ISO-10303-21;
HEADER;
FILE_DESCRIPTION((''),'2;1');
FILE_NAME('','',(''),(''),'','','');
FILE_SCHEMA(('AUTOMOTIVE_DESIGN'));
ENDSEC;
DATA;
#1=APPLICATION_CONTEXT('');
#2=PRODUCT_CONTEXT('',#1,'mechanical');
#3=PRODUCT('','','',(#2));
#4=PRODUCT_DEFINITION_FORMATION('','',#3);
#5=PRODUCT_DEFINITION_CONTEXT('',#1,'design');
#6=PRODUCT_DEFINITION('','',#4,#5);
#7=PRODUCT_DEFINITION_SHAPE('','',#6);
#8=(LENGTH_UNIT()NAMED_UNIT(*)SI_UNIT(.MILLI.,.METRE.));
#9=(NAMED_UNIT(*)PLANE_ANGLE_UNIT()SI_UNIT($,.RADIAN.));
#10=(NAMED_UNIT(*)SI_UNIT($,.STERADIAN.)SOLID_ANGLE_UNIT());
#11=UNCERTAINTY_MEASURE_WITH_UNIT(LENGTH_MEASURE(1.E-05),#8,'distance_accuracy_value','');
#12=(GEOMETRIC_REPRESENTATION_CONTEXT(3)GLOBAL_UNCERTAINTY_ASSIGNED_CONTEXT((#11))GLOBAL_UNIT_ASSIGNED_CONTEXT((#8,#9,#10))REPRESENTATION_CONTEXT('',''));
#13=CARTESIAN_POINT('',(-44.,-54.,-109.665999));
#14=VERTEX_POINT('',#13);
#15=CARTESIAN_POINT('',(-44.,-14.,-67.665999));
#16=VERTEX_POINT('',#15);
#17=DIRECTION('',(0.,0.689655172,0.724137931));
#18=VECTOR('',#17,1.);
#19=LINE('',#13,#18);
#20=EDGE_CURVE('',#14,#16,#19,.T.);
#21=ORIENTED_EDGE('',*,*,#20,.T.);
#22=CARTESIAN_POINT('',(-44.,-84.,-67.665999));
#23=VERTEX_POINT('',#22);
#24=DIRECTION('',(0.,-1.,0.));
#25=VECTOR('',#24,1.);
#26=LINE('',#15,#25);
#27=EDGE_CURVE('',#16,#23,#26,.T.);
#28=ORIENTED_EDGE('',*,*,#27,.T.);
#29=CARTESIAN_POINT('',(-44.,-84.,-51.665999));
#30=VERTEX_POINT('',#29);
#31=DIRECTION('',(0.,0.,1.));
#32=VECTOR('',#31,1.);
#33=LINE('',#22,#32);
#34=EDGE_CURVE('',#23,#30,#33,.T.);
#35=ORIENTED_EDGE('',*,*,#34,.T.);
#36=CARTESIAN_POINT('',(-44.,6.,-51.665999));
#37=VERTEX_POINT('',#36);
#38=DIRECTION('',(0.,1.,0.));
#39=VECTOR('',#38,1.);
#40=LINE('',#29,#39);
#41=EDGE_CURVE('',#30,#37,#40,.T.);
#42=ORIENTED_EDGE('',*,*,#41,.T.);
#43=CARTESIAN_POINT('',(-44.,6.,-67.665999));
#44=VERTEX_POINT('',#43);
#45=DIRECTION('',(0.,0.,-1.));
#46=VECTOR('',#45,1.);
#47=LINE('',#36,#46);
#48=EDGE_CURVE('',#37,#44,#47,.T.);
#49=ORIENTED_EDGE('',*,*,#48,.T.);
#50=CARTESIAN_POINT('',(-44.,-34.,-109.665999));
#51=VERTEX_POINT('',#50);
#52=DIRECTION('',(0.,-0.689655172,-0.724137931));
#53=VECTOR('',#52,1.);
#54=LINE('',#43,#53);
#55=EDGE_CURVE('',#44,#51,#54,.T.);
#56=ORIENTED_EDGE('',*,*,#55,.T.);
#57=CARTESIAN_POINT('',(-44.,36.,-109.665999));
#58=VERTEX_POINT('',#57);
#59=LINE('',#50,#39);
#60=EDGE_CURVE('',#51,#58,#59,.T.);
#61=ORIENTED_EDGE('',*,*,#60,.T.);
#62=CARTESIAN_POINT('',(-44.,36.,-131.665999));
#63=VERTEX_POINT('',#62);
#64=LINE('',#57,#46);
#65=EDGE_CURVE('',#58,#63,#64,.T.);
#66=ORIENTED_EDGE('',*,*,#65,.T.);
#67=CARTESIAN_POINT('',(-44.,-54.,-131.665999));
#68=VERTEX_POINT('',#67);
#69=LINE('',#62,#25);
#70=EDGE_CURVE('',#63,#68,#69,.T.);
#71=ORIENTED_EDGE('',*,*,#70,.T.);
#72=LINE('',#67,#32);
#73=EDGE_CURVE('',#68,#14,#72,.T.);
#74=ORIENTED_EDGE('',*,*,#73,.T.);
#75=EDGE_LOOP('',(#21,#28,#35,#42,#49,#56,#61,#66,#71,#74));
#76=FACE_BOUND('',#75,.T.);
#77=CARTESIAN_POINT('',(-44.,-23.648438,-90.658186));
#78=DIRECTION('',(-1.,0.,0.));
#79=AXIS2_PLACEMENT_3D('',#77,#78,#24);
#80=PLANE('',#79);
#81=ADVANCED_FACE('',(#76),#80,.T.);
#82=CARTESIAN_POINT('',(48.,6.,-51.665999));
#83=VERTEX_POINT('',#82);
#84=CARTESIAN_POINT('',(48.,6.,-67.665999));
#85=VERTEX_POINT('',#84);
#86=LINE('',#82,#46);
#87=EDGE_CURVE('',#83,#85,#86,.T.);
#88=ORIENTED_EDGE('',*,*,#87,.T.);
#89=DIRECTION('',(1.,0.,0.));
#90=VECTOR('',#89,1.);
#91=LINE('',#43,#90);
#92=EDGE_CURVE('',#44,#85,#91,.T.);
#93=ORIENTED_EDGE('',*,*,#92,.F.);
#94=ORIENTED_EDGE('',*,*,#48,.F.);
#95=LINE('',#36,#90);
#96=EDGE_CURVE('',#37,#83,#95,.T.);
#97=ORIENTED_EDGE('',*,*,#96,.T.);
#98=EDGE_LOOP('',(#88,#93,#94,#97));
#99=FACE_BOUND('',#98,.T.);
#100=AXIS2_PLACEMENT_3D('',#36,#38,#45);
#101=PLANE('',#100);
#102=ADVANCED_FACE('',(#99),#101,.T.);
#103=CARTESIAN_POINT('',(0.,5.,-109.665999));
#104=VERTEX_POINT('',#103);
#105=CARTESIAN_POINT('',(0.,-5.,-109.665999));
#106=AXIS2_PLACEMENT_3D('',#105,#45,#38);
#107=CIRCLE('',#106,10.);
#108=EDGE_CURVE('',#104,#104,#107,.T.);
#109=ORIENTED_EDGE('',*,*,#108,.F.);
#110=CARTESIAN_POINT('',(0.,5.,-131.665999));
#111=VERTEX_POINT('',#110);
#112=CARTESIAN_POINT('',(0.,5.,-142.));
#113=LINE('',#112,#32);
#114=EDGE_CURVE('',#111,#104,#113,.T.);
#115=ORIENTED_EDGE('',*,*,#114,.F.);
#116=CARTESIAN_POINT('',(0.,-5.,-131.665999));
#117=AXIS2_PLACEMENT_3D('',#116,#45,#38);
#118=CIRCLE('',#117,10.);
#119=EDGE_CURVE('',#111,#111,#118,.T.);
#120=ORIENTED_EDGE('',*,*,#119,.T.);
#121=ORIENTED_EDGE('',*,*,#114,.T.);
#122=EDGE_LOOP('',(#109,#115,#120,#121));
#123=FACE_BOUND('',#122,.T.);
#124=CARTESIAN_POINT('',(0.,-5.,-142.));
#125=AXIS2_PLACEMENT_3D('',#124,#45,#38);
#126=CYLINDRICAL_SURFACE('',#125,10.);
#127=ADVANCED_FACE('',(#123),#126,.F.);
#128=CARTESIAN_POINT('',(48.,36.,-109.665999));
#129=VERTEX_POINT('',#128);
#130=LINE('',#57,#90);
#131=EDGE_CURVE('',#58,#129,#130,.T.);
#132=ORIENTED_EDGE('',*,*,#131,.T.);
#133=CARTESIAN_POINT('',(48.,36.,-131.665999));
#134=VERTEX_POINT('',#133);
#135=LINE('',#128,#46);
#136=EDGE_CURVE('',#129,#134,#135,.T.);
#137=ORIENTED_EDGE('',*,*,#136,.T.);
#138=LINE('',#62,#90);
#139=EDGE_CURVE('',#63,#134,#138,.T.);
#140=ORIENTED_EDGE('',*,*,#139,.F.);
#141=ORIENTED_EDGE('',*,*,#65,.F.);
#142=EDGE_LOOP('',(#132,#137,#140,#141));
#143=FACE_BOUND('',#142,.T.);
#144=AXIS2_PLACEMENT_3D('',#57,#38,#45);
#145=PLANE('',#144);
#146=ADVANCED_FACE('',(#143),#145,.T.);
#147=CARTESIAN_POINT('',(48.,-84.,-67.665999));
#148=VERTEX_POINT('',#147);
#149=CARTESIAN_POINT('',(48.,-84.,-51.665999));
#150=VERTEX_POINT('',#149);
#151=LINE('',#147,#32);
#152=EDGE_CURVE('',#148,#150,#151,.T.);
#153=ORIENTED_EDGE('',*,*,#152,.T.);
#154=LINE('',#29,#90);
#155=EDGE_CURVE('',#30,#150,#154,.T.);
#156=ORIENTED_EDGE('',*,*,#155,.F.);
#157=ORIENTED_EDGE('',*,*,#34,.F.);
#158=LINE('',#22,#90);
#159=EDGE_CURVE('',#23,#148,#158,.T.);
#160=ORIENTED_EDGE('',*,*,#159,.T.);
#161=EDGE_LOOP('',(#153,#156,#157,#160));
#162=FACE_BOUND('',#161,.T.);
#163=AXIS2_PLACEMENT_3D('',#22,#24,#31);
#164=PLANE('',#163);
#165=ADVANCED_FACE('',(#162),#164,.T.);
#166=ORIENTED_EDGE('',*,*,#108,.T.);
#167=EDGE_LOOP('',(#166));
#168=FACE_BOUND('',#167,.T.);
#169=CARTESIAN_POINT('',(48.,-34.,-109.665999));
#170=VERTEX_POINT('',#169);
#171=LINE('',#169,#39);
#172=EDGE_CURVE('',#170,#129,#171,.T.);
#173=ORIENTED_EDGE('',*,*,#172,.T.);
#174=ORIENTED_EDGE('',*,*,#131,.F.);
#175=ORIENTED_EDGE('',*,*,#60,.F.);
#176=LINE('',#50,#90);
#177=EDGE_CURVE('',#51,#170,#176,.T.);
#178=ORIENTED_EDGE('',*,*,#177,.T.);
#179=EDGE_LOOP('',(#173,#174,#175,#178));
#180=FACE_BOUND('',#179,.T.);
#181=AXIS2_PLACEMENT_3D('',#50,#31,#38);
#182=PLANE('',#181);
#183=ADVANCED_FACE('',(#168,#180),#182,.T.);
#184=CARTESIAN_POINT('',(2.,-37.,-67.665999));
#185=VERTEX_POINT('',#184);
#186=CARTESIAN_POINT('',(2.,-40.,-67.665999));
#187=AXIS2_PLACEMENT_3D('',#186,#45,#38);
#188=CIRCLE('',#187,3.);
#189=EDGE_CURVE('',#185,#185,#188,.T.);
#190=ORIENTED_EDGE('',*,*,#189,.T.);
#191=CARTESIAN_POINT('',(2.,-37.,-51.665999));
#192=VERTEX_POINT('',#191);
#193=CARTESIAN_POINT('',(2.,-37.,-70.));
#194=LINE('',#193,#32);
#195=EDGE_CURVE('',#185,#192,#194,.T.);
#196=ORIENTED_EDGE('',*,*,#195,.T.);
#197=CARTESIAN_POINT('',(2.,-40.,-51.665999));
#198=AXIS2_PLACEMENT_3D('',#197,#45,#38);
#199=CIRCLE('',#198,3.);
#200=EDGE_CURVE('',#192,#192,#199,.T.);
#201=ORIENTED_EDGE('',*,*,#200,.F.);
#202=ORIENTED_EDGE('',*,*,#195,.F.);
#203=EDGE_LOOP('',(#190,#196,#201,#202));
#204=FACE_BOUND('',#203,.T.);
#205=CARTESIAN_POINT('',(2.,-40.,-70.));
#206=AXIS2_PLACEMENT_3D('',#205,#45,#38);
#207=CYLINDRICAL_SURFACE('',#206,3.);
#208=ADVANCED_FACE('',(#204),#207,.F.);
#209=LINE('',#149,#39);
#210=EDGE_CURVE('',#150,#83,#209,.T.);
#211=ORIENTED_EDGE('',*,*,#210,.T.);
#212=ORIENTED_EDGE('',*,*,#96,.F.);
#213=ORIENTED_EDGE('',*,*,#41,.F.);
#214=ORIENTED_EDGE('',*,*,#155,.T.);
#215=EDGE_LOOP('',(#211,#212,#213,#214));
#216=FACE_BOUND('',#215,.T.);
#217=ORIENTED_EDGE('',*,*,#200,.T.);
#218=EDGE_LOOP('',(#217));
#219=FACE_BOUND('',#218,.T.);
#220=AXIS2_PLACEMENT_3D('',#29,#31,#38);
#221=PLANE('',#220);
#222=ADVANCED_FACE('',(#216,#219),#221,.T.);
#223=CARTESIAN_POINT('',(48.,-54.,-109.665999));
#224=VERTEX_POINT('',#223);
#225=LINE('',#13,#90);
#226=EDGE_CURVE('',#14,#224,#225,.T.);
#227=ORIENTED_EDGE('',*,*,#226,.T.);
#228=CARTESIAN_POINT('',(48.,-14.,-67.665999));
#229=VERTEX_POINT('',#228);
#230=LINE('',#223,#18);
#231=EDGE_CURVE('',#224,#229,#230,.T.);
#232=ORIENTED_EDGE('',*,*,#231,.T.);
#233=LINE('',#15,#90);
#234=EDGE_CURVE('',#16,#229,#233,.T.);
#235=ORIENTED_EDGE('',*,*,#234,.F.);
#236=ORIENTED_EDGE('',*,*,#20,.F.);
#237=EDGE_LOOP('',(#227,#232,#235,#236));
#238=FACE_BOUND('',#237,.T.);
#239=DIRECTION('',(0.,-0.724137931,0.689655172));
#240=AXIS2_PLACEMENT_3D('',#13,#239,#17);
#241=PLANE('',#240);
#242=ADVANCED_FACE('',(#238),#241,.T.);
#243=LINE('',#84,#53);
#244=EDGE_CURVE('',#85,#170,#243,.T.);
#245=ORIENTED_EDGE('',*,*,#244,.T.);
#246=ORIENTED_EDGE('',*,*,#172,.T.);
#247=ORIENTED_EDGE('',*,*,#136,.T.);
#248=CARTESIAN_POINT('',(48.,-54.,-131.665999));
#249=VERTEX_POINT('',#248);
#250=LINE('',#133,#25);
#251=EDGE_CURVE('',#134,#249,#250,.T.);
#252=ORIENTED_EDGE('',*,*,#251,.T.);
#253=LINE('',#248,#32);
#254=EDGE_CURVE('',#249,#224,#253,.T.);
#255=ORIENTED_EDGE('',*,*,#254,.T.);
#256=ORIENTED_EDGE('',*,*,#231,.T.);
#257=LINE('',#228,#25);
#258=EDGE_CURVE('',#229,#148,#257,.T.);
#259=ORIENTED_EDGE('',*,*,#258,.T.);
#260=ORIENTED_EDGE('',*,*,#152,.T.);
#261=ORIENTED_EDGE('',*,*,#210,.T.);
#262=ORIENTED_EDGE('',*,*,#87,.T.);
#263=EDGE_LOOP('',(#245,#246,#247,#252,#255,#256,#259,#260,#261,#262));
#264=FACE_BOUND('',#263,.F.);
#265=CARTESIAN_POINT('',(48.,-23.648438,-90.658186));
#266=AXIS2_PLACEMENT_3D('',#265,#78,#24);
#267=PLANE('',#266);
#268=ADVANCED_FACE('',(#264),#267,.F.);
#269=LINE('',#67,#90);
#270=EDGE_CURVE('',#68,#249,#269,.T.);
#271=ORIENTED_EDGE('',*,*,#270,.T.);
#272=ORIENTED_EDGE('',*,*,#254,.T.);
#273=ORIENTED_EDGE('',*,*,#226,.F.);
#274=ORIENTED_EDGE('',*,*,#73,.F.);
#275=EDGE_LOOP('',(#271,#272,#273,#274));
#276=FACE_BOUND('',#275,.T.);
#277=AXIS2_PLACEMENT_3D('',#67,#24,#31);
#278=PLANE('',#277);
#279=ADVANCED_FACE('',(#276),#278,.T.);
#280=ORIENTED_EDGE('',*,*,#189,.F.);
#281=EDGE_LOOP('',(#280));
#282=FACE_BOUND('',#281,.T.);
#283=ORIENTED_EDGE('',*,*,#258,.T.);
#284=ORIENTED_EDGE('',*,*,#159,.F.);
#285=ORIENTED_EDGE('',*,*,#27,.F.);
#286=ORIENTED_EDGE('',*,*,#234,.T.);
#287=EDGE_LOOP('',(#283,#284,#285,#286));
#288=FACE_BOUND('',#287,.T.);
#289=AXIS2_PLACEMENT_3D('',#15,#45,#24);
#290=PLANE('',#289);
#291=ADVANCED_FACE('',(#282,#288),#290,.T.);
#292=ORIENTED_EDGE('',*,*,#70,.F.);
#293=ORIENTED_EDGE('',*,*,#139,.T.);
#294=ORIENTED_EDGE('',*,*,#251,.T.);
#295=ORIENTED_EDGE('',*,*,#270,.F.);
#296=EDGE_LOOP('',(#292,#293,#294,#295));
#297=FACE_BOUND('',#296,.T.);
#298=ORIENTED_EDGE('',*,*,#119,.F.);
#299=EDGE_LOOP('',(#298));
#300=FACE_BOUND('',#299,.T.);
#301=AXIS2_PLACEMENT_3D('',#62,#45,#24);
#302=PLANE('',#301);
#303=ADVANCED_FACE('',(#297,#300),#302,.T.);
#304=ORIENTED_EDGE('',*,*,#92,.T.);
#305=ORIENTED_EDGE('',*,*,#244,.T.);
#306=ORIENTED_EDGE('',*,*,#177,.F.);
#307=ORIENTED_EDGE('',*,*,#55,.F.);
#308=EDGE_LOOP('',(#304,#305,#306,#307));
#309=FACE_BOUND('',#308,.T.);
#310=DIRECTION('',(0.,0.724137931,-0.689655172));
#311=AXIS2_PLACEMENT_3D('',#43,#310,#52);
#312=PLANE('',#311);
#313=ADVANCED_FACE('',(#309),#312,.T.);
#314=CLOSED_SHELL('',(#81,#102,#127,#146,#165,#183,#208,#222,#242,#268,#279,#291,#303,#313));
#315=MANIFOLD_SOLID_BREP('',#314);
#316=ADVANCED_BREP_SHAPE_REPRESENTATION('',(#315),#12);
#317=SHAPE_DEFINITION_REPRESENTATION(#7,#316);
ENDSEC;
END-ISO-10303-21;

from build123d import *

# Parameters (mm, degrees)
CYLINDER001_R          = 3
CYLINDER001_DEPTH      = 20
CYLINDER_R             = 10
CYLINDER_DEPTH         = 50
PAD008_DEPTH           = 92
CUT002_PLACEMENT_ANGLE = 90


with BuildPart() as cylinder001:
    # Cylinder001 → Cylinder001 (new body)
    with BuildSketch(Plane(origin=(-31, -46, 34), x_dir=(1, 0, 0), z_dir=(0, 0, 1))):
        Circle(CYLINDER001_R)
    extrude(amount=CYLINDER001_DEPTH)


with BuildPart() as cylinder:
    # Cylinder → Cylinder (new body)
    with BuildSketch(Plane(origin=(4, -44, -38), x_dir=(1, 0, 0), z_dir=(0, 0, 1))):
        Circle(CYLINDER_R)
    extrude(amount=CYLINDER_DEPTH)


with BuildPart() as stand001:
    # Sketch009 → Pad008 (new body)
    with BuildSketch(Plane.XZ):
        Polygon((45, -27.665999), (-45, -27.665999), (-45, -5.665999), (-5, 36.334001), (-75, 36.334001), (-75, 52.334001), (15, 52.334001), (15, 36.334001), (-25, -5.665999), (45, -5.665999), align=None)
    extrude(amount=PAD008_DEPTH)

    # Cut001: cut Cylinder
    add(cylinder.part, mode=Mode.SUBTRACT)

    # Cut002: cut Cylinder001
    add(cylinder001.part, mode=Mode.SUBTRACT)


with BuildPart() as stand001_1:
    # Cut002 placement: moved
    add(stand001.part.moved(Location((-44, -9, -104))).rotate(Axis((-44, -9, -104), (0, 0, 1)), CUT002_PLACEMENT_ANGLE))


solid = stand001_1.part
